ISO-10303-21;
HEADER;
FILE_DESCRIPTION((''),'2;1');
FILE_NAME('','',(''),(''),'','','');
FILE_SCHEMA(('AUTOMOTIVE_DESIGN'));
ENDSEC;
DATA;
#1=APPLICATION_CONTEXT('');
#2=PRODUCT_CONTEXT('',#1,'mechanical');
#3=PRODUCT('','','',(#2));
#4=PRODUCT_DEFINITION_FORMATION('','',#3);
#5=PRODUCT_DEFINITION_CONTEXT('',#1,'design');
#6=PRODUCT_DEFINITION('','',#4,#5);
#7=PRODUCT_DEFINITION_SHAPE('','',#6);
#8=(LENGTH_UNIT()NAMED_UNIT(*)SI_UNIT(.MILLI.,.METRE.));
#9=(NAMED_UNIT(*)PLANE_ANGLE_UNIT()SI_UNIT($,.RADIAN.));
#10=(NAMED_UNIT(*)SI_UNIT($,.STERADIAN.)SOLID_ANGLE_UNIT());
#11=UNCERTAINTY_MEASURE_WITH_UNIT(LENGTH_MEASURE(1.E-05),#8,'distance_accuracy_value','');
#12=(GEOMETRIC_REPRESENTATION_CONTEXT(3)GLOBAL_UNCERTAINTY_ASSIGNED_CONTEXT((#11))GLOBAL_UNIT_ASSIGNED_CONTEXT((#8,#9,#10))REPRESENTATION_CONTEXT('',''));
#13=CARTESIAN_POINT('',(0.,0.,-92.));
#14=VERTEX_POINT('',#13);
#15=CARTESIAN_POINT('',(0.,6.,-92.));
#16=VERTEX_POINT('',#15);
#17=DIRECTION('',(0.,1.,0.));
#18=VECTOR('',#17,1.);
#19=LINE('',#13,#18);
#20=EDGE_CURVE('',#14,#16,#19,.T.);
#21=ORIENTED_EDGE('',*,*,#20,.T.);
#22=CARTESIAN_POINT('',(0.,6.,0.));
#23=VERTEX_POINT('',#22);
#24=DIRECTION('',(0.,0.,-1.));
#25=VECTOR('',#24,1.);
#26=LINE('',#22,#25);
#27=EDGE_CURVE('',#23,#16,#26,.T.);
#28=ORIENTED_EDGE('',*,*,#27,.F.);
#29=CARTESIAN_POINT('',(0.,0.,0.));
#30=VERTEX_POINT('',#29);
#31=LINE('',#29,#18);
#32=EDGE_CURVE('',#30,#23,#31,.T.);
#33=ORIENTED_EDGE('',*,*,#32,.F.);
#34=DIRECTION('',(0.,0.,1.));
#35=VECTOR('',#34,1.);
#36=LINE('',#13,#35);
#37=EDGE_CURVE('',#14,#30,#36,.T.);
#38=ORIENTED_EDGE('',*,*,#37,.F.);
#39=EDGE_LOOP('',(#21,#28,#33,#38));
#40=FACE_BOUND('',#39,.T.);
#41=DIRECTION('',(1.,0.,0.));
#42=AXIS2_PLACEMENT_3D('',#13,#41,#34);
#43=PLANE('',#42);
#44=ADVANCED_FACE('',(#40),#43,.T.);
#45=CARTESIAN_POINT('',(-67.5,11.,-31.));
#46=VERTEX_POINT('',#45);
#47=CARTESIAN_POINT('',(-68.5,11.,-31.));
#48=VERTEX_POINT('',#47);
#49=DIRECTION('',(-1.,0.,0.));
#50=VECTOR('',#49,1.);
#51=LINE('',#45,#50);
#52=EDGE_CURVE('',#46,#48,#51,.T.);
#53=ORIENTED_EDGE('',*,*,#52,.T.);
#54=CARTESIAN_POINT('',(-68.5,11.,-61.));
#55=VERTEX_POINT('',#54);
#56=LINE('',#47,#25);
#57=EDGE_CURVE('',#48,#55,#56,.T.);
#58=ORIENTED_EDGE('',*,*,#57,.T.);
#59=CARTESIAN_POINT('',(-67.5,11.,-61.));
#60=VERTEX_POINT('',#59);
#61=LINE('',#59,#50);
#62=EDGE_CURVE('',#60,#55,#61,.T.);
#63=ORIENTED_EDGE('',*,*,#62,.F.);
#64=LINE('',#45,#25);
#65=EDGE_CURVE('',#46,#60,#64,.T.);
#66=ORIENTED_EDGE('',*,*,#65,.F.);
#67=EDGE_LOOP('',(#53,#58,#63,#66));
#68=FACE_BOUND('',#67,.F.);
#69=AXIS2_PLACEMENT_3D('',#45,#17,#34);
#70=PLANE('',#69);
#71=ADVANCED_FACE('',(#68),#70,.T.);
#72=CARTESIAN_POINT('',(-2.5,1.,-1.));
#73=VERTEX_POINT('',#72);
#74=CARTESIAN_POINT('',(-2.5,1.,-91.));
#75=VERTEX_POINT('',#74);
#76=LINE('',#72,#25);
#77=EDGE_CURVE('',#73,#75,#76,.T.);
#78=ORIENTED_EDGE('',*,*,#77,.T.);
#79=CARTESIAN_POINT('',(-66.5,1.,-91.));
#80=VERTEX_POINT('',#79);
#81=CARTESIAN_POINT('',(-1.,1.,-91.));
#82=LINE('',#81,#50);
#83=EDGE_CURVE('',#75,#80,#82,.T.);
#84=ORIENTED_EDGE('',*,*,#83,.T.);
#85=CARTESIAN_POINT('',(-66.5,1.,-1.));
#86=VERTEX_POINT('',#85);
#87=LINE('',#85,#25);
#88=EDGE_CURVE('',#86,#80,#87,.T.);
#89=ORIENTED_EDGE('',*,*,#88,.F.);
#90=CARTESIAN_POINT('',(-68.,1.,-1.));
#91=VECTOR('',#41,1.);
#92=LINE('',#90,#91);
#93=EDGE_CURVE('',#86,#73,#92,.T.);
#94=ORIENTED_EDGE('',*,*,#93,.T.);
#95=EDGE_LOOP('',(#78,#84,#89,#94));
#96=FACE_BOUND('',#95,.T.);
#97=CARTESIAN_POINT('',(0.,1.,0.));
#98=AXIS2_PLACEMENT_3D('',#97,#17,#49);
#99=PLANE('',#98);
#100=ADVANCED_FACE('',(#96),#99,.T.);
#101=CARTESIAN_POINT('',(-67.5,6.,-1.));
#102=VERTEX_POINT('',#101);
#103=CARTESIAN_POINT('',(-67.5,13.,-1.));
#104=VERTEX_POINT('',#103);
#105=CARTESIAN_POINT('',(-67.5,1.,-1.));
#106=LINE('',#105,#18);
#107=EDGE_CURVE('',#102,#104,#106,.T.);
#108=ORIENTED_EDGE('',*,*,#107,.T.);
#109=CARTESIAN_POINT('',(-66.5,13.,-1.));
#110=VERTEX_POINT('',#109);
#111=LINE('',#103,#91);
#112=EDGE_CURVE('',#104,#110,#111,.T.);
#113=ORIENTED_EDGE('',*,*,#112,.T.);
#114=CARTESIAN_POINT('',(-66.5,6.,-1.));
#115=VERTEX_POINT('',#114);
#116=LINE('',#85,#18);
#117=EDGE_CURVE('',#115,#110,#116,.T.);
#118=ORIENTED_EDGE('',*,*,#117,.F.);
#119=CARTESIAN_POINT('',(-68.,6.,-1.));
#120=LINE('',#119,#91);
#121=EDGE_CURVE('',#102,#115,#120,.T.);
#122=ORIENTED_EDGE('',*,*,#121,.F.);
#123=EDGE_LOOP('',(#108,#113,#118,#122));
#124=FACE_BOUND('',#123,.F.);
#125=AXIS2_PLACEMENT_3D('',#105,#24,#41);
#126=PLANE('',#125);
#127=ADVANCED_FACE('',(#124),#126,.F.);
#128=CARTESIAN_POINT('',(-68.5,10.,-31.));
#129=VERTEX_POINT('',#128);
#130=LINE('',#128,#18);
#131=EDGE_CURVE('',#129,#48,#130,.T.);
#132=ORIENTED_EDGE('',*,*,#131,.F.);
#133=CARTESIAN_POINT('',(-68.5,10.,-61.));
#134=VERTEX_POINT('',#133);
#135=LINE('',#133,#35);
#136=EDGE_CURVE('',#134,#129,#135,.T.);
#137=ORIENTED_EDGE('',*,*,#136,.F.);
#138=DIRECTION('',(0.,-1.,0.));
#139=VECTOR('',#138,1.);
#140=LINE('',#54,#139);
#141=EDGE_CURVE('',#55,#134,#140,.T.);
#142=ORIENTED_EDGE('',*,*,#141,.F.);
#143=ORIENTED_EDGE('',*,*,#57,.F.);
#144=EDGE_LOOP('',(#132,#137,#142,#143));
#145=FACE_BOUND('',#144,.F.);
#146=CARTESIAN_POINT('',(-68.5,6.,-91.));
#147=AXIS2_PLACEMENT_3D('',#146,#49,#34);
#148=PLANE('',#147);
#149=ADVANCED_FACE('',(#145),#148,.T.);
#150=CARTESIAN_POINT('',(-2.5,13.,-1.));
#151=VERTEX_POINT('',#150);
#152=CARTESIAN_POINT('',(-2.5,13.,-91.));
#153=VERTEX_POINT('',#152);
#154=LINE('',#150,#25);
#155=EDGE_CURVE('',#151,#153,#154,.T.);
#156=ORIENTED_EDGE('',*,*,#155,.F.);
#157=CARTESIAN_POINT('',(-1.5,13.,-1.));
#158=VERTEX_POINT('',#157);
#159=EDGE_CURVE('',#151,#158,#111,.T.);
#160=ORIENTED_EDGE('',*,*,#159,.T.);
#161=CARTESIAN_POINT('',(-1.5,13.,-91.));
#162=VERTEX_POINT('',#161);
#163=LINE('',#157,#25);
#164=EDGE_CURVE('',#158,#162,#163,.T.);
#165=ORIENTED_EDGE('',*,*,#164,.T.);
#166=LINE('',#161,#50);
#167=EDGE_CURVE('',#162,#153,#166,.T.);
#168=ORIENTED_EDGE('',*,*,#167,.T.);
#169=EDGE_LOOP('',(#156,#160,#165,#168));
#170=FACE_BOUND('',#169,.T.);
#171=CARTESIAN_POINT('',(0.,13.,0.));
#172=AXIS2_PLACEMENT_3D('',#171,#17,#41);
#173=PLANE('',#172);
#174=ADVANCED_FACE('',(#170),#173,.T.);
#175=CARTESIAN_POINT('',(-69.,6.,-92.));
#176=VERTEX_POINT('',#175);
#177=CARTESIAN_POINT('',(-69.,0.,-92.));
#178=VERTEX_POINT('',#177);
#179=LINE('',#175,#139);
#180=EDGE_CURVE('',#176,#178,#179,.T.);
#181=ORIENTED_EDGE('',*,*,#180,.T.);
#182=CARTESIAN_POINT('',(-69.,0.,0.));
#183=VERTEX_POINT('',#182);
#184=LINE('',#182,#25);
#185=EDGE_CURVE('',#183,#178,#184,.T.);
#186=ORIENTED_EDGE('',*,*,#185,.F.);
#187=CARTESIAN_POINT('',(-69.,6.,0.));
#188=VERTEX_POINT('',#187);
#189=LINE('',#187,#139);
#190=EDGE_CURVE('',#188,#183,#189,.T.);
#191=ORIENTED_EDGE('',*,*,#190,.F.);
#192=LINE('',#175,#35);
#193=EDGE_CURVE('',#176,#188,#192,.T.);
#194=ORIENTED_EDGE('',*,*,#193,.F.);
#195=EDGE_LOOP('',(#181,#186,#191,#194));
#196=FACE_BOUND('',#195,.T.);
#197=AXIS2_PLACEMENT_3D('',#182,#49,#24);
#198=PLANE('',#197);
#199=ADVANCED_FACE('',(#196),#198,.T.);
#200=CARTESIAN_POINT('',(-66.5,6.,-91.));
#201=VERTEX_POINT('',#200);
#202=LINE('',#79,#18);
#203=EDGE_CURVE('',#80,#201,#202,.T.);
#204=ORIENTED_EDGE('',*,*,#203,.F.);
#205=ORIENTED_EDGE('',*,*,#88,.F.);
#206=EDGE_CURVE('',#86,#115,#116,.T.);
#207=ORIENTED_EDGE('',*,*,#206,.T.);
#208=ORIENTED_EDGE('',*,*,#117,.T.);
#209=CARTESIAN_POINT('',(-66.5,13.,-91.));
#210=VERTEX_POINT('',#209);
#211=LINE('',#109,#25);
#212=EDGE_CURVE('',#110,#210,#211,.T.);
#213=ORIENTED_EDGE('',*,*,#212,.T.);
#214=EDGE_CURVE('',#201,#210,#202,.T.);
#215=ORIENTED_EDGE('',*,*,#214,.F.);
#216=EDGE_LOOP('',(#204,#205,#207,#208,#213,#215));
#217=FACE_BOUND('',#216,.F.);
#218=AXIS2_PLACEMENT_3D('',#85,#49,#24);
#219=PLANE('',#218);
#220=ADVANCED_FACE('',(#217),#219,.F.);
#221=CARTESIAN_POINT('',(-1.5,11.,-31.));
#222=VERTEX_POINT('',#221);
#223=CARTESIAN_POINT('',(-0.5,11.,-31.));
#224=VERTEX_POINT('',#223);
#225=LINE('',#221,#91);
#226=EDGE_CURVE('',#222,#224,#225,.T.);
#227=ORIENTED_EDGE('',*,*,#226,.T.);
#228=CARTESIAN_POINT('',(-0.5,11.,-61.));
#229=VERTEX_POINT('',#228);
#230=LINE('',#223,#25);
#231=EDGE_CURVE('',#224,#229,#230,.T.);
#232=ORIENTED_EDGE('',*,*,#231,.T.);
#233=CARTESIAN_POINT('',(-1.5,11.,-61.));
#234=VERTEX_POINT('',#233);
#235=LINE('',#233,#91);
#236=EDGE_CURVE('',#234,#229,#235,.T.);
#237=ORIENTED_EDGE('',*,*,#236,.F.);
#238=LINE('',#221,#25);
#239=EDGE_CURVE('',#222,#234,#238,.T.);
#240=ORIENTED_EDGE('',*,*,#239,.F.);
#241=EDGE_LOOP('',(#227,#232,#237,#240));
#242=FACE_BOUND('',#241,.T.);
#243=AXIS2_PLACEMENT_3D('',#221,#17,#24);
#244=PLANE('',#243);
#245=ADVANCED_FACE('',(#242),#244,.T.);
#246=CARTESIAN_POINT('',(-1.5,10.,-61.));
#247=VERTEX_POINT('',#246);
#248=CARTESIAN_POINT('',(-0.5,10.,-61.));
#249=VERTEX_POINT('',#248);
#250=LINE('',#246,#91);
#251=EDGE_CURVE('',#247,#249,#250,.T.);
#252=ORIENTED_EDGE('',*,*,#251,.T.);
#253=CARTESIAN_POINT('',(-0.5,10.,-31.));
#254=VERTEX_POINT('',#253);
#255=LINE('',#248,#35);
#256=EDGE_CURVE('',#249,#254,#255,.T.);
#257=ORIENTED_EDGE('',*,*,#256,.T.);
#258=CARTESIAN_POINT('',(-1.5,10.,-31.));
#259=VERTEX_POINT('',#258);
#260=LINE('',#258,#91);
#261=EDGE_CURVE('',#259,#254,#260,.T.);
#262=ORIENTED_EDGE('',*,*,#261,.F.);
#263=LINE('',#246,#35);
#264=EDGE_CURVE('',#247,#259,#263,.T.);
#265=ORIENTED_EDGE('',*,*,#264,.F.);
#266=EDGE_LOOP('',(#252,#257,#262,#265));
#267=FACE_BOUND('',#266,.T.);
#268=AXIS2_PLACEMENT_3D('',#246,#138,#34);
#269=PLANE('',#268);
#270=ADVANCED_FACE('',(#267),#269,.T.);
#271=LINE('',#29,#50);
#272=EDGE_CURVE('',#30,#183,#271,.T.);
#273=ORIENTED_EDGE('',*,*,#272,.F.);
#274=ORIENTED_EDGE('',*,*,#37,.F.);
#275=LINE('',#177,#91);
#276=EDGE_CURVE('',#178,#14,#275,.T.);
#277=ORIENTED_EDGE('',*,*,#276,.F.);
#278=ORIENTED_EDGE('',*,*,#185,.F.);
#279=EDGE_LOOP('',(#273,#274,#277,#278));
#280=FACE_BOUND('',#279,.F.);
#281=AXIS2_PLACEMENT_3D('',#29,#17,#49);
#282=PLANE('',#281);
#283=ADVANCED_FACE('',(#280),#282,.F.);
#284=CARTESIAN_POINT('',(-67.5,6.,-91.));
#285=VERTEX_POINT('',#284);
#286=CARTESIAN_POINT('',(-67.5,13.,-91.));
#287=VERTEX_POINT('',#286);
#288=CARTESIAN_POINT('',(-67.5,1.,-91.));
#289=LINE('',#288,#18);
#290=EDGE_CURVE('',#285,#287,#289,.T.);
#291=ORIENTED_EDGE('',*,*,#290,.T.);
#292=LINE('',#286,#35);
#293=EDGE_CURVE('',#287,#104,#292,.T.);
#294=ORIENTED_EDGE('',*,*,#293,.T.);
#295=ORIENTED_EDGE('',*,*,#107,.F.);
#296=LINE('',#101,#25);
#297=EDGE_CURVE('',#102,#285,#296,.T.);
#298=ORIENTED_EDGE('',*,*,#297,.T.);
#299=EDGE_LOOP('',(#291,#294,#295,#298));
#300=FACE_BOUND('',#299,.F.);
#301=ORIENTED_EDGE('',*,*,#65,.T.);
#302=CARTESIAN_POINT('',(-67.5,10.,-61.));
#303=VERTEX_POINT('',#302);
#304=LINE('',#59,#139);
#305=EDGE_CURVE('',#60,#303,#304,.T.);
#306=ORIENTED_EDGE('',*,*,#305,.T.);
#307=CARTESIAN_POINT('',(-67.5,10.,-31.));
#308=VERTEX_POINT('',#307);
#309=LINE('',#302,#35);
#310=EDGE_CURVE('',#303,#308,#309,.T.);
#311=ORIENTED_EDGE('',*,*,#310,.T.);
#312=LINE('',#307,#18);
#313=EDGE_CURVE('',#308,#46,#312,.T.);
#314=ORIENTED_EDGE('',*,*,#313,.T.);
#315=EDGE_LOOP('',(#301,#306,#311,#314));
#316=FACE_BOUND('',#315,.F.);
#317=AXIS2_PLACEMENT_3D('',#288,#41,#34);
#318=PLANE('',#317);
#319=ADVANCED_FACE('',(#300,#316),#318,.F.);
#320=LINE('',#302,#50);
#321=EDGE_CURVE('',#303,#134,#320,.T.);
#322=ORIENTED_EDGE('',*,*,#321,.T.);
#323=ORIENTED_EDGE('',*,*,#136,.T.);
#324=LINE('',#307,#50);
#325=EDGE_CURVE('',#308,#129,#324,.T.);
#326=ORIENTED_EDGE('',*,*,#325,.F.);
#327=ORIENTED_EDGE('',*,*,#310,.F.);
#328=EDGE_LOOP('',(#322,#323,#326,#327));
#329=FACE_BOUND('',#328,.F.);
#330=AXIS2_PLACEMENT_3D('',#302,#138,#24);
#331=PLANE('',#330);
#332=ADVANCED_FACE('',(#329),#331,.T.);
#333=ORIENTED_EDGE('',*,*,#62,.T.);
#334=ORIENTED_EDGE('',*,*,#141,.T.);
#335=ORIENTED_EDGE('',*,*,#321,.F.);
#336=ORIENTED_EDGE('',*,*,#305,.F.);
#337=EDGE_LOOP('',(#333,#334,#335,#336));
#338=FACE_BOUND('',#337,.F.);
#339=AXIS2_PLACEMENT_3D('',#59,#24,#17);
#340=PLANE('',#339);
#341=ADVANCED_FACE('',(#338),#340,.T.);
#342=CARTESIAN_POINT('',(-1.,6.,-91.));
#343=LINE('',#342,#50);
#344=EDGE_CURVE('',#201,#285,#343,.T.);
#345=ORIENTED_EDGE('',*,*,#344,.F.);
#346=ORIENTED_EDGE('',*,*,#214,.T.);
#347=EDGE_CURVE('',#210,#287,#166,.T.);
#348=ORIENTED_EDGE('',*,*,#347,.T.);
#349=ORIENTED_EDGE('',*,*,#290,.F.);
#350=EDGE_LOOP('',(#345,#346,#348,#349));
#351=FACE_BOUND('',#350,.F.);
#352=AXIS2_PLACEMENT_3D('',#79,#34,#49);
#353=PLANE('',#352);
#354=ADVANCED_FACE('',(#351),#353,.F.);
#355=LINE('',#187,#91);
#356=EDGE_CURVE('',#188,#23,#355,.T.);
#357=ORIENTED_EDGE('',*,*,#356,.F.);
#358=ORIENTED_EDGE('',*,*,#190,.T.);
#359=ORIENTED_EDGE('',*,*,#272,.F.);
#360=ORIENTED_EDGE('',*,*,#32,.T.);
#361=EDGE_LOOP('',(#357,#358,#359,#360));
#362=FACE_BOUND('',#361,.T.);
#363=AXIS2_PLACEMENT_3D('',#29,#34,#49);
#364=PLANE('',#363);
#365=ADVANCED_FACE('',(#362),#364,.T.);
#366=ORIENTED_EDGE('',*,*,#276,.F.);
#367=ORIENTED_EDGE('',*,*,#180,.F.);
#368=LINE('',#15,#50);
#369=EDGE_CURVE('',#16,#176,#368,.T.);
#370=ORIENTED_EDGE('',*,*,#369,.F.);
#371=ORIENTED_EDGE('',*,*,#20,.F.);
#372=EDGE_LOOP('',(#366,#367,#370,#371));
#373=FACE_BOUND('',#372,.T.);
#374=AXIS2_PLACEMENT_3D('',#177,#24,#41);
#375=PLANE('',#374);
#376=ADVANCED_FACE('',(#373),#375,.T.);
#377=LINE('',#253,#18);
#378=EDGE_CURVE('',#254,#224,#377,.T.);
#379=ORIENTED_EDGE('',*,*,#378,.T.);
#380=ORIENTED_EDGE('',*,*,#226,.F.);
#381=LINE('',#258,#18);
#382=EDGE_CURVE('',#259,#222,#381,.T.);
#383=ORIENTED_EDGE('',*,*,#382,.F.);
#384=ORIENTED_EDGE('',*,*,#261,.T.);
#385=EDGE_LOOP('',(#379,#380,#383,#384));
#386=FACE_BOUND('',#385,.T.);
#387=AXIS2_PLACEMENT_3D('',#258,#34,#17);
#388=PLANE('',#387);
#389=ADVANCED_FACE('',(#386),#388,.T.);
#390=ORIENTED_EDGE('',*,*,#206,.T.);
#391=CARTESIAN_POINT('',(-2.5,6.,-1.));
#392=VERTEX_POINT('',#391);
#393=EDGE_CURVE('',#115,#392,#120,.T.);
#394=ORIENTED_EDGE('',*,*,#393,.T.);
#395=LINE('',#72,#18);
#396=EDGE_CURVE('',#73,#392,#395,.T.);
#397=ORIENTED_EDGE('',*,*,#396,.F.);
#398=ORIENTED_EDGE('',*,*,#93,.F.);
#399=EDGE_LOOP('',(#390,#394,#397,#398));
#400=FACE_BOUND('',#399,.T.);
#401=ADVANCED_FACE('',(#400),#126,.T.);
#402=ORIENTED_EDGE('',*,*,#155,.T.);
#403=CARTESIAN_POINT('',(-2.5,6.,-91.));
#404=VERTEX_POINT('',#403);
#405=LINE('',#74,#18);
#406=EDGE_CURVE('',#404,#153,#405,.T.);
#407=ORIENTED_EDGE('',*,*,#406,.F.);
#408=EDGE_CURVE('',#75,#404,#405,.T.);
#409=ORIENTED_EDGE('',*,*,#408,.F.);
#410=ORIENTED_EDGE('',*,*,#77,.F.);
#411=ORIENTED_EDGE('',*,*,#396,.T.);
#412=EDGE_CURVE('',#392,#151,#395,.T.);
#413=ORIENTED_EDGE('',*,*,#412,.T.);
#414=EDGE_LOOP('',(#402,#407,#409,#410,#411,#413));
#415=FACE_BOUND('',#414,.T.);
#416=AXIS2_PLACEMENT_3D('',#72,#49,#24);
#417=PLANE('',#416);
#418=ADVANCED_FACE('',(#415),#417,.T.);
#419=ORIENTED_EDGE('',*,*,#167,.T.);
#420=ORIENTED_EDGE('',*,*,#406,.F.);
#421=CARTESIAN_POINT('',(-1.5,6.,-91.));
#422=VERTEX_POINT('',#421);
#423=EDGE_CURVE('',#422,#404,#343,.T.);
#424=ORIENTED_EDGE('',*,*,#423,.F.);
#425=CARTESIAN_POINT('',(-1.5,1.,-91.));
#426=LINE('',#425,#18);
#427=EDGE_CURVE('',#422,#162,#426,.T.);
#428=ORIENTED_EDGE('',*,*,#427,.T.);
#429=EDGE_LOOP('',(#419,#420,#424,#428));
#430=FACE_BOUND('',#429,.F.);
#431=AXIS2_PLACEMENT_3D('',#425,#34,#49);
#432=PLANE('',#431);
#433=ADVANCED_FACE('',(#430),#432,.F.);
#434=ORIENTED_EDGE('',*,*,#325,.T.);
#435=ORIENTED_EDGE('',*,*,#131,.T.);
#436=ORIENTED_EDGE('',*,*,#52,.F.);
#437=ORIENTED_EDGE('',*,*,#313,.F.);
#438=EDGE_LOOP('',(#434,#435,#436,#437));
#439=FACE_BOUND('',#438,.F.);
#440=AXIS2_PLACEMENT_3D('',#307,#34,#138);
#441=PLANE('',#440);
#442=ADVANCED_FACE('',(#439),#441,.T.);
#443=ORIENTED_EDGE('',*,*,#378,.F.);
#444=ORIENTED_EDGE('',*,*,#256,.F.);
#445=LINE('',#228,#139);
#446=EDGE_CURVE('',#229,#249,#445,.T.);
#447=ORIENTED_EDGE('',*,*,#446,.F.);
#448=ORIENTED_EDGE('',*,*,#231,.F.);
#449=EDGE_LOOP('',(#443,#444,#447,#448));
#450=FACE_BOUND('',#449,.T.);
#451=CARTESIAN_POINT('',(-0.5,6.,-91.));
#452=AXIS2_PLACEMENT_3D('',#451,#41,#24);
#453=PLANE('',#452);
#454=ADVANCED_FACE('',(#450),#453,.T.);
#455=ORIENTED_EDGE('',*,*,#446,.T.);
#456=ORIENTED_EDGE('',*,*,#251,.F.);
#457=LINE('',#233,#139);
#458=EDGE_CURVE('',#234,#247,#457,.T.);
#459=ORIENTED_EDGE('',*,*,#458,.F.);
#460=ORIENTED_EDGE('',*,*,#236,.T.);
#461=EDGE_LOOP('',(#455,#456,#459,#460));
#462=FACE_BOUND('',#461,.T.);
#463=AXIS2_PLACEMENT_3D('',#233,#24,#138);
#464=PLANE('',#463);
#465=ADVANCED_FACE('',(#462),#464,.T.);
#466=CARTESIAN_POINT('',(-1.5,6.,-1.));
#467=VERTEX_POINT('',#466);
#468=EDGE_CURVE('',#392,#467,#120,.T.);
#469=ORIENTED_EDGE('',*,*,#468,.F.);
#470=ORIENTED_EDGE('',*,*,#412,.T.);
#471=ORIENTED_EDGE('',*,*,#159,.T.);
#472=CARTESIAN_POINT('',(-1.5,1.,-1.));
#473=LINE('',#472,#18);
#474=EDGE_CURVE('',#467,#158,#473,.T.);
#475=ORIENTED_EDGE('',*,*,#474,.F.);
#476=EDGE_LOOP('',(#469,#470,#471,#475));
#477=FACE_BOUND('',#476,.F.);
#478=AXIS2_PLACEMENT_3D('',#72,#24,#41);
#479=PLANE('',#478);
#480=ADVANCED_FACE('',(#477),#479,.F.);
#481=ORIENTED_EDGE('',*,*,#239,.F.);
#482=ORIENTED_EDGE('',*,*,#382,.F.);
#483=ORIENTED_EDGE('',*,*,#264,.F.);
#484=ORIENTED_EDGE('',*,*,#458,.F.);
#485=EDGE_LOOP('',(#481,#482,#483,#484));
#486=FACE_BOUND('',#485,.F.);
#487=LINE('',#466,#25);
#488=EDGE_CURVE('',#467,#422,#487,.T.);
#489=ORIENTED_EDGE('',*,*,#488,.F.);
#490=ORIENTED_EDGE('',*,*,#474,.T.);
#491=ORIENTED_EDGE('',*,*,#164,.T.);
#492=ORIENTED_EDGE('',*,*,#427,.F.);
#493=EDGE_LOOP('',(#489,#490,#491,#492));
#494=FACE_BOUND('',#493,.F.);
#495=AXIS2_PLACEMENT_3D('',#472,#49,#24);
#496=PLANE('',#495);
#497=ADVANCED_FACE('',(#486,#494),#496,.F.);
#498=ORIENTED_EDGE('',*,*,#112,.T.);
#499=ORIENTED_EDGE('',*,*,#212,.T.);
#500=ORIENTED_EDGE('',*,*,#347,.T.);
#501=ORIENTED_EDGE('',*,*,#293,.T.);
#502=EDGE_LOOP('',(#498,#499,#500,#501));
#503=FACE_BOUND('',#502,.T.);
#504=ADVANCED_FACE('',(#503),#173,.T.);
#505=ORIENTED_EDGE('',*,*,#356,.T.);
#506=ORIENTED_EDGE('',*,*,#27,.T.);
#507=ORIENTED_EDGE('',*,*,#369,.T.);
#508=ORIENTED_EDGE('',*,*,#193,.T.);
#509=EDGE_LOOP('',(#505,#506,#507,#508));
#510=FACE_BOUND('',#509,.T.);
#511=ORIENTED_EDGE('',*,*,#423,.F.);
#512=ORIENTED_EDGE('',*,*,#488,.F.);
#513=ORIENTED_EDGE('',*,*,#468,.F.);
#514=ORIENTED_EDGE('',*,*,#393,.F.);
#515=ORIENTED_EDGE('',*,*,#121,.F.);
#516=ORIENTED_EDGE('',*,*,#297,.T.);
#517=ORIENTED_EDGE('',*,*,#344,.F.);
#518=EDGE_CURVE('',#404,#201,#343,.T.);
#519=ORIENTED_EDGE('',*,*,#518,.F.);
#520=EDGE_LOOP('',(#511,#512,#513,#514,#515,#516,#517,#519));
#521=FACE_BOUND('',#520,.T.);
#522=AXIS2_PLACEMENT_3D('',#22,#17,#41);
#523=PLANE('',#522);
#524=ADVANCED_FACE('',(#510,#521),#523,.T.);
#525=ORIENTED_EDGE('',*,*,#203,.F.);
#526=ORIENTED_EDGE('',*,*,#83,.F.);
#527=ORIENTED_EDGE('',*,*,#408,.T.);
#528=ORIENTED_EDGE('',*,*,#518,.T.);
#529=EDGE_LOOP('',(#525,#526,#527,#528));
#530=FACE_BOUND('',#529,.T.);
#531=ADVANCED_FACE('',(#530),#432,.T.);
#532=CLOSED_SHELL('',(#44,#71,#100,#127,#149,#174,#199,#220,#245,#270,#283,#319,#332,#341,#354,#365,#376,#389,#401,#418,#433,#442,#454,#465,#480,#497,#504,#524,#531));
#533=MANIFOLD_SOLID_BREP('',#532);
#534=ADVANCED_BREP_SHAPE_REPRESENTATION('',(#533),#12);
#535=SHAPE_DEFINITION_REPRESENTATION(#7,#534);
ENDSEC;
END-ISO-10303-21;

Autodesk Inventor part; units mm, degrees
ref_plane "YZ Plane" through (0, 0, 0) normal (1, 0, 0) x (0, 1, 0)
ref_plane "XZ Plane" through (0, 0, 0) normal (0, 1, 0) x (-1, 0, 0)
ref_plane "XY Plane" through (0, 0, 0) normal (0, 0, 1) x (1, 0, 0)
sketch "Sketch1" plane through (0, 0, 0) normal (0, 1, 0) x (-1, 0, 0)
  line L0 (0, 0) -> (69, 0)
  line L1 (69, 0) -> (69, -92)
  line L2 (69, -92) -> (0, -92)
  line L3 (0, -92) -> (0, 0)
  dimension "d0" = 69
  dimension "d1" = 92
extrude "Extrusion1" add sketch "Sketch1" along normal blind 1
sketch "Sketch2" plane through (0, 1, 0) normal (0, 1, 0) x (1, 0, 0)
  line L0 (-69, 0) -> (0, 0) projected
  line L1 (0, 0) -> (0, 92) projected
  line L2 (0, 92) -> (-69, 92) projected
  line L3 (-69, 92) -> (-69, 0) projected
  line L4 (-68, 1) -> (-1, 1)
  line L5 (-1, 1) -> (-1, 91)
  line L6 (-1, 91) -> (-68, 91)
  line L7 (-68, 91) -> (-68, 1)
  line L8 (-67.5, 1) -> (-67.5, 91)
  line L9 (-1.5, 1) -> (-1.5, 91)
  dimension "d4" = 1
  dimension "d5" = 0.5
  dimension "d6" = 0.5
extrude "Extrusion2" add sketch "Sketch2" along normal blind 5 contours L3 L2 L1 L0 | L7 L6 L8 L4 | L9 L6 L5 L4
sketch "Sketch3" plane through (0, 1, 0) normal (0, 1, 0) x (1, 0, 0)
  line L0 (-67.5, 91) -> (-67.5, 1) projected
  line L1 (-67.5, 1) -> (-1.5, 1) projected
  line L2 (-1.5, 1) -> (-1.5, 91) projected
  line L3 (-1.5, 91) -> (-67.5, 91) projected
  line L4 (-67.5, 1) -> (-1.5, 1) projected
  line L5 (-66.5, 1) -> (-66.5, 91)
  line L6 (-2.5, 1) -> (-2.5, 91)
  point P0 (0, 0)
  dimension "d9" = 1
  dimension "d10" = 1
extrude "Extrusion3" add sketch "Sketch3" along normal blind 12 contours L3 L5 L1 L0 | L3 L2 L1 L6
sketch "Sketch4" plane through (-1.5, 6, -91) normal (1, 0, 0) x (0, 0, -1)
  line L0 (-90, 0) -> (-90, 7) projected
  line L1 (-90, 4) -> (-90, 5)
  line L2 (0, 0) -> (0, 7) projected
  line L3 (-90, 7) -> (0, 7) projected
  line L4 (-60, 5) -> (-30, 5)
  line L5 (-30, 5) -> (-30, 4)
  line L6 (-30, 4) -> (-60, 4)
  line L7 (-60, 4) -> (-60, 5)
  line L8 (0, 0) -> (-90, 0) projected
  point P0 (-91, -6)
  dimension "d21" = 1
  dimension "d22" = 2
  dimension "d23" = 4
  dimension "d24" = 30
  dimension "d25" = 30
ref_plane "Work Plane1" through (-34.5, 0, 0) normal (1, 0, 0) x (0, 0, -1)
extrude "Extrusion5" add sketch "Sketch4" along normal blind 1 contours L4 L5 L6 L7
mirror "Mirror2" about plane through (-34.5, 0, 0) normal (1, 0, 0) of "Extrusion5"
properties part number "top1"
